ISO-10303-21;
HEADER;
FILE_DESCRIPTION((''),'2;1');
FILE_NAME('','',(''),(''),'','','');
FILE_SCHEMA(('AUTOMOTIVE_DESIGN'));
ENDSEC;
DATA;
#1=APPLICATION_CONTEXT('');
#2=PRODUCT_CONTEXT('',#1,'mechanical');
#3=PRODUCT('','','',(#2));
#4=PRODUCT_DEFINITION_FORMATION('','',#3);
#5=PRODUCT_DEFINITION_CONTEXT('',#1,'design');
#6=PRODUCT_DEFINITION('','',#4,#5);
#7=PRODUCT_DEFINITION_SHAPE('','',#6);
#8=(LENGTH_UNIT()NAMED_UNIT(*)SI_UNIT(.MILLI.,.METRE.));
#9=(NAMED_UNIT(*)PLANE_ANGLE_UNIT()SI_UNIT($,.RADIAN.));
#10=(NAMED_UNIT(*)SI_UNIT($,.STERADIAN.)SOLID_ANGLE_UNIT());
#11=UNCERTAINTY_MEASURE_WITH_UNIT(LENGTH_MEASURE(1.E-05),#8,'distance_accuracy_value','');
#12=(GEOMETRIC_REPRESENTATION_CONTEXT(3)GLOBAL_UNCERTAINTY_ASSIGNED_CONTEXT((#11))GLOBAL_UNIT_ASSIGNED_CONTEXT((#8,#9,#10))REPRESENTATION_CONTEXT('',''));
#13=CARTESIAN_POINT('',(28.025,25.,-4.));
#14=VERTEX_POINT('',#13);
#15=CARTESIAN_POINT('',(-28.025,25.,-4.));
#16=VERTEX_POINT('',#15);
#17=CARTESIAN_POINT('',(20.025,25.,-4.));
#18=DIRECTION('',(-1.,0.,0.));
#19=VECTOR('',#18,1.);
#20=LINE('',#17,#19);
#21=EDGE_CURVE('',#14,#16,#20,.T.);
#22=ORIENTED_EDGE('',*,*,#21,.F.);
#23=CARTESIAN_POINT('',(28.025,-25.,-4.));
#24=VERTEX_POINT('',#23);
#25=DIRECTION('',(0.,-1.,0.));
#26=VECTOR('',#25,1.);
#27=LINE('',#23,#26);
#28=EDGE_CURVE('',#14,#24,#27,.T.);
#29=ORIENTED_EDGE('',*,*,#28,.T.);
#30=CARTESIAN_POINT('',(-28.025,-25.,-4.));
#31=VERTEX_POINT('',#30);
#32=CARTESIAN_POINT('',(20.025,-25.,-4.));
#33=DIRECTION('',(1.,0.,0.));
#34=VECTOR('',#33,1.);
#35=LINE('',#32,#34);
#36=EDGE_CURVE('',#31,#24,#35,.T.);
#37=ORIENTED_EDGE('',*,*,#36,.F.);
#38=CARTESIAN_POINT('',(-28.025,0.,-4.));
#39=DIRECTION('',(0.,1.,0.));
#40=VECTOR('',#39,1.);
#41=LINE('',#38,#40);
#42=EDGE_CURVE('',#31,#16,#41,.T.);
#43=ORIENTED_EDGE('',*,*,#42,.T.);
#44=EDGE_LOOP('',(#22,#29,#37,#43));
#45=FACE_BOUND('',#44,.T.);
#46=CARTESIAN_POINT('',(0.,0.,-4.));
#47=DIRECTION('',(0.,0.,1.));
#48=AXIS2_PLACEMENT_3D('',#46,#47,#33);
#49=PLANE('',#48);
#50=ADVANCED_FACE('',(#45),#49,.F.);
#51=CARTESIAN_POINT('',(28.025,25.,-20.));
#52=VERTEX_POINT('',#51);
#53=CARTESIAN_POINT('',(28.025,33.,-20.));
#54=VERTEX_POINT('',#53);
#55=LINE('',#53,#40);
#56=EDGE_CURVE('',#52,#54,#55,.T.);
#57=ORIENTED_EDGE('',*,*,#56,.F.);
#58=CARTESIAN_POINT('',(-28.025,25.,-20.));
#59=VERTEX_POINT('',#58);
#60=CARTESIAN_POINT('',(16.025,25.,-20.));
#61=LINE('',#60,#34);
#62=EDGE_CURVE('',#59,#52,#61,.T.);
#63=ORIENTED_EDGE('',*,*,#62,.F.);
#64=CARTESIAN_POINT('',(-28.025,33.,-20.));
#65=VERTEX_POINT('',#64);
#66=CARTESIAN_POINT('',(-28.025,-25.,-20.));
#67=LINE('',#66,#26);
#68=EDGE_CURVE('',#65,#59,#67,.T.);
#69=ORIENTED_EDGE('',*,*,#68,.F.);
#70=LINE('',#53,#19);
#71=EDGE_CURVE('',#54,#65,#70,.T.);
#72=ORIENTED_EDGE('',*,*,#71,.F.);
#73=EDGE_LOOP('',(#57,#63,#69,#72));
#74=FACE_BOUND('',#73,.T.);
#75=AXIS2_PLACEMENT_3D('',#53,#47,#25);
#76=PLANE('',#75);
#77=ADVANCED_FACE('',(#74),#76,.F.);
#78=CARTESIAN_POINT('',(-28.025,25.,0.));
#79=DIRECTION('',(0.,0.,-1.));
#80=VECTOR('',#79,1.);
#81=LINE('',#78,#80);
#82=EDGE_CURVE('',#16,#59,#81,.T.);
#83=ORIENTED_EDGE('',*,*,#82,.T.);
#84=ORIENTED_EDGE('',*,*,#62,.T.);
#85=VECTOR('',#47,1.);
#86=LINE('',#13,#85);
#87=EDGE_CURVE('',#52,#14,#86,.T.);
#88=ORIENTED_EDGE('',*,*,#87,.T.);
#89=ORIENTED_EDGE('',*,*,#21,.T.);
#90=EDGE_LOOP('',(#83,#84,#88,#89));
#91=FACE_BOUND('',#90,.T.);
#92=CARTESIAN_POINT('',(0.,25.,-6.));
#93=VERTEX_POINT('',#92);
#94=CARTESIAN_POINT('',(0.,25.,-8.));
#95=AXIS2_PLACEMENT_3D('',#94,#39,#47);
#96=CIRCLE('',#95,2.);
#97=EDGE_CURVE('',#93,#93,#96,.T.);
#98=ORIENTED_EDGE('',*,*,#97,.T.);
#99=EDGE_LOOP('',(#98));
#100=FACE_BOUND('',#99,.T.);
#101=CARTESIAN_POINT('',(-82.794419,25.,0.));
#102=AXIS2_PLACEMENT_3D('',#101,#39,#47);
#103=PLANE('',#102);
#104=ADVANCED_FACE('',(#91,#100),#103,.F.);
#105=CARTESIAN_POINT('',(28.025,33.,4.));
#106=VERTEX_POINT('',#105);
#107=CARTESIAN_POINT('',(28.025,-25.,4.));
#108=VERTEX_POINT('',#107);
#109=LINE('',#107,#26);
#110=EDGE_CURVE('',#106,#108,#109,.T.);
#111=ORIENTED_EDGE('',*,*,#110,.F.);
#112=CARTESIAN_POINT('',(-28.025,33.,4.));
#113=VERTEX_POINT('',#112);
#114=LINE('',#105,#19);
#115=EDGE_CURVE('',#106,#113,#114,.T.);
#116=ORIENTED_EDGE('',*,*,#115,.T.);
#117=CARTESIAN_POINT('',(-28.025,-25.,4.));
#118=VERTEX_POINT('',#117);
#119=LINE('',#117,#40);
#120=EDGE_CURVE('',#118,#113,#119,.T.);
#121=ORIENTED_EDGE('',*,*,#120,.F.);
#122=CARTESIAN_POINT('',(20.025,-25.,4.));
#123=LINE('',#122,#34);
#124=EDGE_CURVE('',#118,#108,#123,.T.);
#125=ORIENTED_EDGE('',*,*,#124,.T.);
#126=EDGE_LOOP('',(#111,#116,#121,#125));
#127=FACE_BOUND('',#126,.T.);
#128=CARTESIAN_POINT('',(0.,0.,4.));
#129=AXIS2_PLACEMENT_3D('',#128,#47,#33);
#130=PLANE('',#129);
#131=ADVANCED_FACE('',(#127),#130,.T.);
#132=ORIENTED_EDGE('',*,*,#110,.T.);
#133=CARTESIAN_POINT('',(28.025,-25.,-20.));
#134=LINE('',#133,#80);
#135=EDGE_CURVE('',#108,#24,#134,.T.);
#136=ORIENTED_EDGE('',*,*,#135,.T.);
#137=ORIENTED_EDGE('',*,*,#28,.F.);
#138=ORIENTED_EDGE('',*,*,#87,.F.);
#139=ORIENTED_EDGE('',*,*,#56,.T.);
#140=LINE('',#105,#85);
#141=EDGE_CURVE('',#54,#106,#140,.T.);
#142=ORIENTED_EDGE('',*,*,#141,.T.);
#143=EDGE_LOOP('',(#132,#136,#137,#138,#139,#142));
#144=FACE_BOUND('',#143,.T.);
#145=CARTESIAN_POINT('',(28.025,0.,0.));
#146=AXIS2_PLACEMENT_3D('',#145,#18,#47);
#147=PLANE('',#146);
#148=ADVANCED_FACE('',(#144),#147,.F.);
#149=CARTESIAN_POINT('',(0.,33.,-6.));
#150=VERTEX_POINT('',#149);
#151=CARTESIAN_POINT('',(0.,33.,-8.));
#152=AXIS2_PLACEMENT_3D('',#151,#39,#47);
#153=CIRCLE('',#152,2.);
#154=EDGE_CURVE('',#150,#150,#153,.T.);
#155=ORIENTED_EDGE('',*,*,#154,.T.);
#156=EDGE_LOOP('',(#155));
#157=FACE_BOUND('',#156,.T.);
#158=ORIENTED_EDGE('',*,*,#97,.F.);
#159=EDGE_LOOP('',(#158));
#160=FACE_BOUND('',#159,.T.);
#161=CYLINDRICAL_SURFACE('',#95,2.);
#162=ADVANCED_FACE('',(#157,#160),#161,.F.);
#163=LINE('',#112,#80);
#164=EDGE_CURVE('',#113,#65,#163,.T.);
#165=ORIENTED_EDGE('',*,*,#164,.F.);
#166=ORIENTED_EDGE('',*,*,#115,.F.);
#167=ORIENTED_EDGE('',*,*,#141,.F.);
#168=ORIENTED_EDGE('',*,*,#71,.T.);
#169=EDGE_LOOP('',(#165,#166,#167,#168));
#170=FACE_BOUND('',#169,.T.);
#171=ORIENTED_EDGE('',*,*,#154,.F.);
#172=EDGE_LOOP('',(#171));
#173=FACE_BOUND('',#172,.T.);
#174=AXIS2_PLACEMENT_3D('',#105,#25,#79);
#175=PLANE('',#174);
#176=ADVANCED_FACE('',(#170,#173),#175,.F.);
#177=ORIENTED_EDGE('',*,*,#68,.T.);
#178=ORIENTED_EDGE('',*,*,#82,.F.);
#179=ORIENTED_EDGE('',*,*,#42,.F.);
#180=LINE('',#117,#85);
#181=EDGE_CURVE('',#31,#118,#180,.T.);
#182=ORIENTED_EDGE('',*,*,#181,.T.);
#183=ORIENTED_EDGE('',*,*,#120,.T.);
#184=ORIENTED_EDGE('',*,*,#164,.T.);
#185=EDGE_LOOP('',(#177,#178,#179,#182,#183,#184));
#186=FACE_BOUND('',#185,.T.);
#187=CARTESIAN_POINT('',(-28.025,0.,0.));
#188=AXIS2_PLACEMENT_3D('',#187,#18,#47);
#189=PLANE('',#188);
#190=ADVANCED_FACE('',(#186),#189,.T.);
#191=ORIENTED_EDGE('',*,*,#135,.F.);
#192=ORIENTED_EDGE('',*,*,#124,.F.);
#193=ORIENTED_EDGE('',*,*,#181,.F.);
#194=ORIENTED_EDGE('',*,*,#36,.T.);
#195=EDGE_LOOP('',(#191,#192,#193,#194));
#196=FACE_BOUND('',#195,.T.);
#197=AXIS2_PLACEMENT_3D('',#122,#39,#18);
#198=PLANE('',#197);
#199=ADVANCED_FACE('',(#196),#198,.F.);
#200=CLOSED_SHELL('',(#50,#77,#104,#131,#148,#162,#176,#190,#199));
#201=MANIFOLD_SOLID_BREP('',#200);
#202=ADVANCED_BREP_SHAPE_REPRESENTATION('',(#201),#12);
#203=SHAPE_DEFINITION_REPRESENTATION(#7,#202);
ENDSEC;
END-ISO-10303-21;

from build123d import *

# Parameters (mm, degrees)
SKETCH1_W           = 40.05
SKETCH1_H           = 50
BOSS_EXTRUDE1_DEPTH = 4
SKETCH2_W           = 24
SKETCH2_H           = 58
BOSS_EXTRUDE2_DEPTH = 8
SKETCH4_W           = 24
SKETCH4_H           = 58
BOSS_EXTRUDE3_DEPTH = 8
BOSS_EXTRUDE5_DEPTH = 40.05
SKETCH6_W           = 32.05
SKETCH6_H           = 50
CUT_EXTRUDE1_DEPTH  = 8
SKETCH7_R           = 2
CUT_EXTRUDE2_DEPTH  = 8
SKETCH9_R           = 2
CUT_EXTRUDE3_DEPTH  = 50
SKETCH11_W          = 16
SKETCH11_H          = 50
CUT_EXTRUDE4_DEPTH  = 80


with BuildPart() as part:
    # Sketch1 → Boss-Extrude1 (new, symmetric)
    with BuildSketch(Plane.XY):
        Rectangle(SKETCH1_W, SKETCH1_H)
    extrude(amount=BOSS_EXTRUDE1_DEPTH, both=True)

    # Sketch2 → Boss-Extrude2 (add)
    with BuildSketch(Plane(origin=(20.025, 0, 0), x_dir=(0, 0, -1), z_dir=(1, 0, 0))):
        with Locations((8, 4)):
            Rectangle(SKETCH2_W, SKETCH2_H)
    extrude(amount=BOSS_EXTRUDE2_DEPTH)

    # Sketch4 → Boss-Extrude3 (add)
    with BuildSketch(Plane.ZY.offset(20.025)):
        with Locations((-8, 4)):
            Rectangle(SKETCH4_W, SKETCH4_H)
    extrude(amount=BOSS_EXTRUDE3_DEPTH)

    # Sketch5 → Boss-Extrude5 (add)
    with BuildSketch(Plane.ZY.offset(-20.025)):
        Polygon((-20, -25), (-20, 33), (4, 33), (4, 25), (-12.05, 25), (-12.05, -25), align=None)
    extrude(amount=BOSS_EXTRUDE5_DEPTH)

    # Sketch6 → Cut-Extrude1 (cut)
    with BuildSketch(Plane(origin=(0, 0, -20), x_dir=(-1, 0, 0), z_dir=(0, 0, -1))):
        Rectangle(SKETCH6_W, SKETCH6_H)
    extrude(amount=-CUT_EXTRUDE1_DEPTH, mode=Mode.SUBTRACT)

    # Sketch7 → Cut-Extrude2 (cut)
    with BuildSketch(Plane(origin=(0, 33, 0), x_dir=(1, 0, 0), z_dir=(0, 1, 0))):
        with Locations(Location((0, 8, 0), (0, 0, 270))):
            Circle(SKETCH7_R)
    extrude(amount=-CUT_EXTRUDE2_DEPTH, mode=Mode.SUBTRACT)

    # Sketch9 → Cut-Extrude3 (cut, symmetric)
    with BuildSketch(Plane.ZY.offset(-20.025)):
        with Locations((-8.025, 0)):
            Circle(SKETCH9_R)
    extrude(amount=CUT_EXTRUDE3_DEPTH, both=True, mode=Mode.SUBTRACT)

    # Sketch11 → Cut-Extrude4 (cut)
    with BuildSketch(Plane(origin=(28.025, 0, 0), x_dir=(0, 0, -1), z_dir=(1, 0, 0))):
        with Locations((12, 0)):
            Rectangle(SKETCH11_W, SKETCH11_H)
    extrude(amount=-CUT_EXTRUDE4_DEPTH, mode=Mode.SUBTRACT)


solid = part.part
